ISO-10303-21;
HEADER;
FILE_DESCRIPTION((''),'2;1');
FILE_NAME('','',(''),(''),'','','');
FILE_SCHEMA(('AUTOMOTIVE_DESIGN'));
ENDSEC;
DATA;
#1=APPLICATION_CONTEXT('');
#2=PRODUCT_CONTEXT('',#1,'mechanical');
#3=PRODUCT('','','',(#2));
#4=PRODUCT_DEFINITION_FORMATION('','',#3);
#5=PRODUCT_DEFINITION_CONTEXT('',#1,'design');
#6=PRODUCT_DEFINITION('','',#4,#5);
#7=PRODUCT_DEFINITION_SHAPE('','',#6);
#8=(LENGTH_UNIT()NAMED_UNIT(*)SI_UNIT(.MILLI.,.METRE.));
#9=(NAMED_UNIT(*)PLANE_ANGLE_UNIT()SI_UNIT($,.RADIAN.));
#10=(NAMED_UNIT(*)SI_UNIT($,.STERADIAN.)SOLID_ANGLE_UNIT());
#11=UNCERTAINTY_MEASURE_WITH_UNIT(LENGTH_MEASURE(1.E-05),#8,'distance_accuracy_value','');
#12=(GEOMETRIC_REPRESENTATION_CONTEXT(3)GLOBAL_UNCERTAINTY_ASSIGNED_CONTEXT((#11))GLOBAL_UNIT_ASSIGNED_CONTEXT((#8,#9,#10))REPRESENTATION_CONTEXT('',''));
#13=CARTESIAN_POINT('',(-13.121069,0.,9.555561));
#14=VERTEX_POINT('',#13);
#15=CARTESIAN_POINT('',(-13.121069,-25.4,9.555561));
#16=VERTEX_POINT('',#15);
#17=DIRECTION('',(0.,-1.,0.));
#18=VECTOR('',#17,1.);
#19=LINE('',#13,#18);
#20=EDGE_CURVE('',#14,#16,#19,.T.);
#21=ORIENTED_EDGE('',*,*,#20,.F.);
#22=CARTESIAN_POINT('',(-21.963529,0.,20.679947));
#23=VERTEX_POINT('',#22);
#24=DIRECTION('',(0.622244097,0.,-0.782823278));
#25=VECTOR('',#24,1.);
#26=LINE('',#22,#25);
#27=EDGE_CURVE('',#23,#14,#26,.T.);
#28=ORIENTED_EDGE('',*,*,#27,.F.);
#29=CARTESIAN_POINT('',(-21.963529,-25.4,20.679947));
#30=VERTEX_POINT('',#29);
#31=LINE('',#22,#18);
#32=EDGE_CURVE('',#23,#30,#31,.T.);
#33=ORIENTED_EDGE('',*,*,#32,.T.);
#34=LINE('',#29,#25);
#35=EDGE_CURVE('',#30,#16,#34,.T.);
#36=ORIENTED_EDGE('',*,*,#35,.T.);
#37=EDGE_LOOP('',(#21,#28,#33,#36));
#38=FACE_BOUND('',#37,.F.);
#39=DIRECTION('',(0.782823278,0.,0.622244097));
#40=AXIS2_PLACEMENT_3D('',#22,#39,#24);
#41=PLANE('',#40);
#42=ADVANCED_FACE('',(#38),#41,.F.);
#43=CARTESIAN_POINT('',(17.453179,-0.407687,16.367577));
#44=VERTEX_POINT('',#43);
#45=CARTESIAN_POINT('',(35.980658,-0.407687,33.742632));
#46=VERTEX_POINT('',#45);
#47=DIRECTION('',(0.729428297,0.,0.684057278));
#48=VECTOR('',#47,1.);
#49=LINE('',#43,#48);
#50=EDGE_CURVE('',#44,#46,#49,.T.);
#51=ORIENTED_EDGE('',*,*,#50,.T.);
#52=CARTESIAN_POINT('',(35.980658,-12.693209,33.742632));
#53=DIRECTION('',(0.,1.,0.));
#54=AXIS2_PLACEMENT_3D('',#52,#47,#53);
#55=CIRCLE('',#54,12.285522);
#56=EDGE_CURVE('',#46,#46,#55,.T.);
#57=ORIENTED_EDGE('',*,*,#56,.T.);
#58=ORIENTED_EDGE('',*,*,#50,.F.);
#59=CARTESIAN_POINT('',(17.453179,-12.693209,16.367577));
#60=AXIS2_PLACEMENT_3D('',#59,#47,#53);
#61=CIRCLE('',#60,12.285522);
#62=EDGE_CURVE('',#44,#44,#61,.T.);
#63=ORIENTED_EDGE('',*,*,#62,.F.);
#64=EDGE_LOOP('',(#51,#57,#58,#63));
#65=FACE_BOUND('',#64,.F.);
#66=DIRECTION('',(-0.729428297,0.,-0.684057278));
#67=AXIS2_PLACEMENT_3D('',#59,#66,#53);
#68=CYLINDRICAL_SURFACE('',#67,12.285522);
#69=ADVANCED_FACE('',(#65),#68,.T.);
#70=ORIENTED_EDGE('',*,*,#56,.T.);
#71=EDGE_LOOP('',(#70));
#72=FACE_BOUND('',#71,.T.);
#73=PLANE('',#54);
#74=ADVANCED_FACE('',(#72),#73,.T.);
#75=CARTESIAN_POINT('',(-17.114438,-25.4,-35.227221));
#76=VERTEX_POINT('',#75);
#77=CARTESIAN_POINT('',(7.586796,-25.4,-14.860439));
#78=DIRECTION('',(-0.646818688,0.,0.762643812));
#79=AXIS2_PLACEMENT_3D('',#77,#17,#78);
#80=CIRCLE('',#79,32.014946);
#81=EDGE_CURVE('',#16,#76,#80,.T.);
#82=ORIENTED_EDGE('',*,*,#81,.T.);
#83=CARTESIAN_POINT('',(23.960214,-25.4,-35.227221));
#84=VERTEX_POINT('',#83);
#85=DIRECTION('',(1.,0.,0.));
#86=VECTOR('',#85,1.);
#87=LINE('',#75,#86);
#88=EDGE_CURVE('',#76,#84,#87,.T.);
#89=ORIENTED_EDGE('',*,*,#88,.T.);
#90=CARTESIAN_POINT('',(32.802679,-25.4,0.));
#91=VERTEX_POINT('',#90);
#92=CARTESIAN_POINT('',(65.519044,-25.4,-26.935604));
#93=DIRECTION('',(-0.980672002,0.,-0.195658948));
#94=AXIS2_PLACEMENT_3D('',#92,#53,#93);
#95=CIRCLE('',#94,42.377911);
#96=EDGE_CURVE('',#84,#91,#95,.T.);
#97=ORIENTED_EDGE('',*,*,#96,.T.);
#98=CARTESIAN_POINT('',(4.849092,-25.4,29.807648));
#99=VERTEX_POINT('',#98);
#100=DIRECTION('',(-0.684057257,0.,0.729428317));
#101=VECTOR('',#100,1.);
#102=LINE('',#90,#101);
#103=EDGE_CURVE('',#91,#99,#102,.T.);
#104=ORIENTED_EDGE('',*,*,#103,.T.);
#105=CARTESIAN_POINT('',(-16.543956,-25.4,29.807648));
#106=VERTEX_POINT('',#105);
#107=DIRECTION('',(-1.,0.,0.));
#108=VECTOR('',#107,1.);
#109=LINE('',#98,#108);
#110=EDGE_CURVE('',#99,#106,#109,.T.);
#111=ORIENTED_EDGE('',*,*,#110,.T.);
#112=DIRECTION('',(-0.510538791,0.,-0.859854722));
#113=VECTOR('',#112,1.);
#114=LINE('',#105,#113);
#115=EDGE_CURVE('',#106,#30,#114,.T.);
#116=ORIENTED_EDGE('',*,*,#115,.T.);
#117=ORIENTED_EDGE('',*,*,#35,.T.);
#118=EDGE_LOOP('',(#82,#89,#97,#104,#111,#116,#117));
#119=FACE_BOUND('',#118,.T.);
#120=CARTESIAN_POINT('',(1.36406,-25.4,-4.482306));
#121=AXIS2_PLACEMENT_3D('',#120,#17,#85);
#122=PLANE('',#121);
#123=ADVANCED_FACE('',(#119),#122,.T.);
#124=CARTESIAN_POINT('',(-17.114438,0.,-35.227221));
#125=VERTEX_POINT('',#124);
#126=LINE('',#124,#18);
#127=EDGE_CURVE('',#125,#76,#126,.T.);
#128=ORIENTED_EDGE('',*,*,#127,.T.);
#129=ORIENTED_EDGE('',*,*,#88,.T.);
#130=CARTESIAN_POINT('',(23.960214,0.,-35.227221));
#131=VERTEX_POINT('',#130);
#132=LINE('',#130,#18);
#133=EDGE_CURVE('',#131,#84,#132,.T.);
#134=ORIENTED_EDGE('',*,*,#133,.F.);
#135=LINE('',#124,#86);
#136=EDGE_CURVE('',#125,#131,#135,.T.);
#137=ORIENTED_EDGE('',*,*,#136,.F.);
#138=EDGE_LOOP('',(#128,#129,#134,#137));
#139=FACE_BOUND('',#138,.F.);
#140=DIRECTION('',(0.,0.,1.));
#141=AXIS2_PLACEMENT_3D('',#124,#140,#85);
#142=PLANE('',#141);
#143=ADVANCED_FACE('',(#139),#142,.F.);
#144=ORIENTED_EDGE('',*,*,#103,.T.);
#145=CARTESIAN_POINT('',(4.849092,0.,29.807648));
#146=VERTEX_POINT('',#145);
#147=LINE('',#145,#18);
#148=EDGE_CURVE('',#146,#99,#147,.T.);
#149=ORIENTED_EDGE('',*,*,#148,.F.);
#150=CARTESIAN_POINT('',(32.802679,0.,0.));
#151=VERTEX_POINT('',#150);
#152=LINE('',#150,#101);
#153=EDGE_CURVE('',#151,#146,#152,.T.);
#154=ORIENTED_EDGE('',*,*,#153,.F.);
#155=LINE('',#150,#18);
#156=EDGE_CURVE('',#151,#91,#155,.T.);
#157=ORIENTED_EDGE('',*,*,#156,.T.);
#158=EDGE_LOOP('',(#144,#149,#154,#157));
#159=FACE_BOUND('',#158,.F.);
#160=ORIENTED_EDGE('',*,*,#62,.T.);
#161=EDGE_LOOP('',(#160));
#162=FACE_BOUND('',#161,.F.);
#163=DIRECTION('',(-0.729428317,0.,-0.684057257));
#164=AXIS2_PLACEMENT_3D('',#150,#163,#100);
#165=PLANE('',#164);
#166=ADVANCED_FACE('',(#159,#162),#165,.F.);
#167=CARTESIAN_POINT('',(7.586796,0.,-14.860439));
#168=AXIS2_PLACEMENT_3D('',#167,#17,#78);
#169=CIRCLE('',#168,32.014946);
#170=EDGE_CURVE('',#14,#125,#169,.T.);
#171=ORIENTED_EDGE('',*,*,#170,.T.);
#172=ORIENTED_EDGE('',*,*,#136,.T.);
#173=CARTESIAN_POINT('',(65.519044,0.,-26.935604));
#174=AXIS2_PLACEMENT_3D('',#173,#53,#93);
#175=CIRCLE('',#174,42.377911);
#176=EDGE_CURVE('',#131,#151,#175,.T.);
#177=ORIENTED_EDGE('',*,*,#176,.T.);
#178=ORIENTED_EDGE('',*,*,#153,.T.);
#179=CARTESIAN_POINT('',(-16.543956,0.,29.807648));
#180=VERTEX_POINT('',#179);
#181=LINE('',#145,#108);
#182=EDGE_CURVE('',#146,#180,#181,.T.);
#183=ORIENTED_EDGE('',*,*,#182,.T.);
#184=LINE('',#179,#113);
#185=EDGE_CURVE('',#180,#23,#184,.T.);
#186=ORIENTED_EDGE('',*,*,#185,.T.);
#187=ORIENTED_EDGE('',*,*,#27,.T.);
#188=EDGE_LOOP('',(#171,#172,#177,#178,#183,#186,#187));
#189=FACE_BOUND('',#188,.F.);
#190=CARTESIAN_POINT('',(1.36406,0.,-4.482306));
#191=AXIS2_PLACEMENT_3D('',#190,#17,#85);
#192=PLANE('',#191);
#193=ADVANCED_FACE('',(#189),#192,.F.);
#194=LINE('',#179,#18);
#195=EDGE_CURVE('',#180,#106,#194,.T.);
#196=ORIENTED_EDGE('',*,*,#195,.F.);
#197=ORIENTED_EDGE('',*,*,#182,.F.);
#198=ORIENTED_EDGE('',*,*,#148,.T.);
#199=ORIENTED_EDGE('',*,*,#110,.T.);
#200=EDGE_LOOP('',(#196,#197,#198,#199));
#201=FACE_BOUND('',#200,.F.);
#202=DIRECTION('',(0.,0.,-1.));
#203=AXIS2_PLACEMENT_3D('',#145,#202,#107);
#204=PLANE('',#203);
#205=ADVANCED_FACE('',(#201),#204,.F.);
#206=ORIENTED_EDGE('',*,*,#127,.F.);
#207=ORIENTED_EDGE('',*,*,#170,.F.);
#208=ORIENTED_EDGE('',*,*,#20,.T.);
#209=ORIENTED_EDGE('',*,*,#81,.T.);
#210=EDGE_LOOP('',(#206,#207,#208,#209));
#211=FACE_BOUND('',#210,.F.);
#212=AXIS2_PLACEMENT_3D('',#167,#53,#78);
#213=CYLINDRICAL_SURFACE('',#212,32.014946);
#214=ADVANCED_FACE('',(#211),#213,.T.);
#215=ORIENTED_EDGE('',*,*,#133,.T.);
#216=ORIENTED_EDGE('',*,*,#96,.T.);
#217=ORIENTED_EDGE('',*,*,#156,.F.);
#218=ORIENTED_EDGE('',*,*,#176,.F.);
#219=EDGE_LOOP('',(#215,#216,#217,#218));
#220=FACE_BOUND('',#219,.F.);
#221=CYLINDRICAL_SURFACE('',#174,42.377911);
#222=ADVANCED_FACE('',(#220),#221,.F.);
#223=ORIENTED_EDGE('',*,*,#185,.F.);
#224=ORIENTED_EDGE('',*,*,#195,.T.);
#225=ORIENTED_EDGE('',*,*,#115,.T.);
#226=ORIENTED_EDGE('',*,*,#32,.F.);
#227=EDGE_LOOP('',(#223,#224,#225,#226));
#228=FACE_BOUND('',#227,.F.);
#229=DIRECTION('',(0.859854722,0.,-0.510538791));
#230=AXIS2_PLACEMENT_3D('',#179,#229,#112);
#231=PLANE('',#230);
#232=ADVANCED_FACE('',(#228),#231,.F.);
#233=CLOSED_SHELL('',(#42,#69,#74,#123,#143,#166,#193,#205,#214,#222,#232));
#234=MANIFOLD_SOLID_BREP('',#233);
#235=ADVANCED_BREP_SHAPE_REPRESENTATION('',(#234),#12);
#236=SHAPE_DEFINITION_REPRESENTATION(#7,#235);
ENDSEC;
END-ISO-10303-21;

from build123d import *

# Parameters (mm, degrees)
F1_DEPTH = 25.4
F2_R     = 12.285522
F3_DEPTH = 25.4


with BuildPart() as f1:
    # F0 (on Front) → F1 (new body)
    with BuildSketch(Plane.XZ):
        with BuildLine():
            ThreePointArc((-13.121069, 9.555561), (-24.301618, -12.016886), (-17.114438, -35.227221))
            Line((-17.114438, -35.227221), (23.960214, -35.227221))
            ThreePointArc((23.960214, -35.227221), (24.416241, -16.618295), (32.802679, 0))
            Line((32.802679, 0), (4.849092, 29.807648))
            Line((4.849092, 29.807648), (-16.543956, 29.807648))
            Line((-16.543956, 29.807648), (-21.963529, 20.679947))
            Line((-21.963529, 20.679947), (-13.121069, 9.555561))
        make_face()
    extrude(amount=F1_DEPTH)

    # F2 (on face) → F3 (join)
    with BuildSketch(Plane(origin=(17.453179, 0, 16.367577), x_dir=(0, 1, 0), z_dir=(0.729428, 0, 0.684057))):
        with Locations((-12.693209, 0)):
            Circle(F2_R)
    extrude(amount=F3_DEPTH)


solid = f1.part
